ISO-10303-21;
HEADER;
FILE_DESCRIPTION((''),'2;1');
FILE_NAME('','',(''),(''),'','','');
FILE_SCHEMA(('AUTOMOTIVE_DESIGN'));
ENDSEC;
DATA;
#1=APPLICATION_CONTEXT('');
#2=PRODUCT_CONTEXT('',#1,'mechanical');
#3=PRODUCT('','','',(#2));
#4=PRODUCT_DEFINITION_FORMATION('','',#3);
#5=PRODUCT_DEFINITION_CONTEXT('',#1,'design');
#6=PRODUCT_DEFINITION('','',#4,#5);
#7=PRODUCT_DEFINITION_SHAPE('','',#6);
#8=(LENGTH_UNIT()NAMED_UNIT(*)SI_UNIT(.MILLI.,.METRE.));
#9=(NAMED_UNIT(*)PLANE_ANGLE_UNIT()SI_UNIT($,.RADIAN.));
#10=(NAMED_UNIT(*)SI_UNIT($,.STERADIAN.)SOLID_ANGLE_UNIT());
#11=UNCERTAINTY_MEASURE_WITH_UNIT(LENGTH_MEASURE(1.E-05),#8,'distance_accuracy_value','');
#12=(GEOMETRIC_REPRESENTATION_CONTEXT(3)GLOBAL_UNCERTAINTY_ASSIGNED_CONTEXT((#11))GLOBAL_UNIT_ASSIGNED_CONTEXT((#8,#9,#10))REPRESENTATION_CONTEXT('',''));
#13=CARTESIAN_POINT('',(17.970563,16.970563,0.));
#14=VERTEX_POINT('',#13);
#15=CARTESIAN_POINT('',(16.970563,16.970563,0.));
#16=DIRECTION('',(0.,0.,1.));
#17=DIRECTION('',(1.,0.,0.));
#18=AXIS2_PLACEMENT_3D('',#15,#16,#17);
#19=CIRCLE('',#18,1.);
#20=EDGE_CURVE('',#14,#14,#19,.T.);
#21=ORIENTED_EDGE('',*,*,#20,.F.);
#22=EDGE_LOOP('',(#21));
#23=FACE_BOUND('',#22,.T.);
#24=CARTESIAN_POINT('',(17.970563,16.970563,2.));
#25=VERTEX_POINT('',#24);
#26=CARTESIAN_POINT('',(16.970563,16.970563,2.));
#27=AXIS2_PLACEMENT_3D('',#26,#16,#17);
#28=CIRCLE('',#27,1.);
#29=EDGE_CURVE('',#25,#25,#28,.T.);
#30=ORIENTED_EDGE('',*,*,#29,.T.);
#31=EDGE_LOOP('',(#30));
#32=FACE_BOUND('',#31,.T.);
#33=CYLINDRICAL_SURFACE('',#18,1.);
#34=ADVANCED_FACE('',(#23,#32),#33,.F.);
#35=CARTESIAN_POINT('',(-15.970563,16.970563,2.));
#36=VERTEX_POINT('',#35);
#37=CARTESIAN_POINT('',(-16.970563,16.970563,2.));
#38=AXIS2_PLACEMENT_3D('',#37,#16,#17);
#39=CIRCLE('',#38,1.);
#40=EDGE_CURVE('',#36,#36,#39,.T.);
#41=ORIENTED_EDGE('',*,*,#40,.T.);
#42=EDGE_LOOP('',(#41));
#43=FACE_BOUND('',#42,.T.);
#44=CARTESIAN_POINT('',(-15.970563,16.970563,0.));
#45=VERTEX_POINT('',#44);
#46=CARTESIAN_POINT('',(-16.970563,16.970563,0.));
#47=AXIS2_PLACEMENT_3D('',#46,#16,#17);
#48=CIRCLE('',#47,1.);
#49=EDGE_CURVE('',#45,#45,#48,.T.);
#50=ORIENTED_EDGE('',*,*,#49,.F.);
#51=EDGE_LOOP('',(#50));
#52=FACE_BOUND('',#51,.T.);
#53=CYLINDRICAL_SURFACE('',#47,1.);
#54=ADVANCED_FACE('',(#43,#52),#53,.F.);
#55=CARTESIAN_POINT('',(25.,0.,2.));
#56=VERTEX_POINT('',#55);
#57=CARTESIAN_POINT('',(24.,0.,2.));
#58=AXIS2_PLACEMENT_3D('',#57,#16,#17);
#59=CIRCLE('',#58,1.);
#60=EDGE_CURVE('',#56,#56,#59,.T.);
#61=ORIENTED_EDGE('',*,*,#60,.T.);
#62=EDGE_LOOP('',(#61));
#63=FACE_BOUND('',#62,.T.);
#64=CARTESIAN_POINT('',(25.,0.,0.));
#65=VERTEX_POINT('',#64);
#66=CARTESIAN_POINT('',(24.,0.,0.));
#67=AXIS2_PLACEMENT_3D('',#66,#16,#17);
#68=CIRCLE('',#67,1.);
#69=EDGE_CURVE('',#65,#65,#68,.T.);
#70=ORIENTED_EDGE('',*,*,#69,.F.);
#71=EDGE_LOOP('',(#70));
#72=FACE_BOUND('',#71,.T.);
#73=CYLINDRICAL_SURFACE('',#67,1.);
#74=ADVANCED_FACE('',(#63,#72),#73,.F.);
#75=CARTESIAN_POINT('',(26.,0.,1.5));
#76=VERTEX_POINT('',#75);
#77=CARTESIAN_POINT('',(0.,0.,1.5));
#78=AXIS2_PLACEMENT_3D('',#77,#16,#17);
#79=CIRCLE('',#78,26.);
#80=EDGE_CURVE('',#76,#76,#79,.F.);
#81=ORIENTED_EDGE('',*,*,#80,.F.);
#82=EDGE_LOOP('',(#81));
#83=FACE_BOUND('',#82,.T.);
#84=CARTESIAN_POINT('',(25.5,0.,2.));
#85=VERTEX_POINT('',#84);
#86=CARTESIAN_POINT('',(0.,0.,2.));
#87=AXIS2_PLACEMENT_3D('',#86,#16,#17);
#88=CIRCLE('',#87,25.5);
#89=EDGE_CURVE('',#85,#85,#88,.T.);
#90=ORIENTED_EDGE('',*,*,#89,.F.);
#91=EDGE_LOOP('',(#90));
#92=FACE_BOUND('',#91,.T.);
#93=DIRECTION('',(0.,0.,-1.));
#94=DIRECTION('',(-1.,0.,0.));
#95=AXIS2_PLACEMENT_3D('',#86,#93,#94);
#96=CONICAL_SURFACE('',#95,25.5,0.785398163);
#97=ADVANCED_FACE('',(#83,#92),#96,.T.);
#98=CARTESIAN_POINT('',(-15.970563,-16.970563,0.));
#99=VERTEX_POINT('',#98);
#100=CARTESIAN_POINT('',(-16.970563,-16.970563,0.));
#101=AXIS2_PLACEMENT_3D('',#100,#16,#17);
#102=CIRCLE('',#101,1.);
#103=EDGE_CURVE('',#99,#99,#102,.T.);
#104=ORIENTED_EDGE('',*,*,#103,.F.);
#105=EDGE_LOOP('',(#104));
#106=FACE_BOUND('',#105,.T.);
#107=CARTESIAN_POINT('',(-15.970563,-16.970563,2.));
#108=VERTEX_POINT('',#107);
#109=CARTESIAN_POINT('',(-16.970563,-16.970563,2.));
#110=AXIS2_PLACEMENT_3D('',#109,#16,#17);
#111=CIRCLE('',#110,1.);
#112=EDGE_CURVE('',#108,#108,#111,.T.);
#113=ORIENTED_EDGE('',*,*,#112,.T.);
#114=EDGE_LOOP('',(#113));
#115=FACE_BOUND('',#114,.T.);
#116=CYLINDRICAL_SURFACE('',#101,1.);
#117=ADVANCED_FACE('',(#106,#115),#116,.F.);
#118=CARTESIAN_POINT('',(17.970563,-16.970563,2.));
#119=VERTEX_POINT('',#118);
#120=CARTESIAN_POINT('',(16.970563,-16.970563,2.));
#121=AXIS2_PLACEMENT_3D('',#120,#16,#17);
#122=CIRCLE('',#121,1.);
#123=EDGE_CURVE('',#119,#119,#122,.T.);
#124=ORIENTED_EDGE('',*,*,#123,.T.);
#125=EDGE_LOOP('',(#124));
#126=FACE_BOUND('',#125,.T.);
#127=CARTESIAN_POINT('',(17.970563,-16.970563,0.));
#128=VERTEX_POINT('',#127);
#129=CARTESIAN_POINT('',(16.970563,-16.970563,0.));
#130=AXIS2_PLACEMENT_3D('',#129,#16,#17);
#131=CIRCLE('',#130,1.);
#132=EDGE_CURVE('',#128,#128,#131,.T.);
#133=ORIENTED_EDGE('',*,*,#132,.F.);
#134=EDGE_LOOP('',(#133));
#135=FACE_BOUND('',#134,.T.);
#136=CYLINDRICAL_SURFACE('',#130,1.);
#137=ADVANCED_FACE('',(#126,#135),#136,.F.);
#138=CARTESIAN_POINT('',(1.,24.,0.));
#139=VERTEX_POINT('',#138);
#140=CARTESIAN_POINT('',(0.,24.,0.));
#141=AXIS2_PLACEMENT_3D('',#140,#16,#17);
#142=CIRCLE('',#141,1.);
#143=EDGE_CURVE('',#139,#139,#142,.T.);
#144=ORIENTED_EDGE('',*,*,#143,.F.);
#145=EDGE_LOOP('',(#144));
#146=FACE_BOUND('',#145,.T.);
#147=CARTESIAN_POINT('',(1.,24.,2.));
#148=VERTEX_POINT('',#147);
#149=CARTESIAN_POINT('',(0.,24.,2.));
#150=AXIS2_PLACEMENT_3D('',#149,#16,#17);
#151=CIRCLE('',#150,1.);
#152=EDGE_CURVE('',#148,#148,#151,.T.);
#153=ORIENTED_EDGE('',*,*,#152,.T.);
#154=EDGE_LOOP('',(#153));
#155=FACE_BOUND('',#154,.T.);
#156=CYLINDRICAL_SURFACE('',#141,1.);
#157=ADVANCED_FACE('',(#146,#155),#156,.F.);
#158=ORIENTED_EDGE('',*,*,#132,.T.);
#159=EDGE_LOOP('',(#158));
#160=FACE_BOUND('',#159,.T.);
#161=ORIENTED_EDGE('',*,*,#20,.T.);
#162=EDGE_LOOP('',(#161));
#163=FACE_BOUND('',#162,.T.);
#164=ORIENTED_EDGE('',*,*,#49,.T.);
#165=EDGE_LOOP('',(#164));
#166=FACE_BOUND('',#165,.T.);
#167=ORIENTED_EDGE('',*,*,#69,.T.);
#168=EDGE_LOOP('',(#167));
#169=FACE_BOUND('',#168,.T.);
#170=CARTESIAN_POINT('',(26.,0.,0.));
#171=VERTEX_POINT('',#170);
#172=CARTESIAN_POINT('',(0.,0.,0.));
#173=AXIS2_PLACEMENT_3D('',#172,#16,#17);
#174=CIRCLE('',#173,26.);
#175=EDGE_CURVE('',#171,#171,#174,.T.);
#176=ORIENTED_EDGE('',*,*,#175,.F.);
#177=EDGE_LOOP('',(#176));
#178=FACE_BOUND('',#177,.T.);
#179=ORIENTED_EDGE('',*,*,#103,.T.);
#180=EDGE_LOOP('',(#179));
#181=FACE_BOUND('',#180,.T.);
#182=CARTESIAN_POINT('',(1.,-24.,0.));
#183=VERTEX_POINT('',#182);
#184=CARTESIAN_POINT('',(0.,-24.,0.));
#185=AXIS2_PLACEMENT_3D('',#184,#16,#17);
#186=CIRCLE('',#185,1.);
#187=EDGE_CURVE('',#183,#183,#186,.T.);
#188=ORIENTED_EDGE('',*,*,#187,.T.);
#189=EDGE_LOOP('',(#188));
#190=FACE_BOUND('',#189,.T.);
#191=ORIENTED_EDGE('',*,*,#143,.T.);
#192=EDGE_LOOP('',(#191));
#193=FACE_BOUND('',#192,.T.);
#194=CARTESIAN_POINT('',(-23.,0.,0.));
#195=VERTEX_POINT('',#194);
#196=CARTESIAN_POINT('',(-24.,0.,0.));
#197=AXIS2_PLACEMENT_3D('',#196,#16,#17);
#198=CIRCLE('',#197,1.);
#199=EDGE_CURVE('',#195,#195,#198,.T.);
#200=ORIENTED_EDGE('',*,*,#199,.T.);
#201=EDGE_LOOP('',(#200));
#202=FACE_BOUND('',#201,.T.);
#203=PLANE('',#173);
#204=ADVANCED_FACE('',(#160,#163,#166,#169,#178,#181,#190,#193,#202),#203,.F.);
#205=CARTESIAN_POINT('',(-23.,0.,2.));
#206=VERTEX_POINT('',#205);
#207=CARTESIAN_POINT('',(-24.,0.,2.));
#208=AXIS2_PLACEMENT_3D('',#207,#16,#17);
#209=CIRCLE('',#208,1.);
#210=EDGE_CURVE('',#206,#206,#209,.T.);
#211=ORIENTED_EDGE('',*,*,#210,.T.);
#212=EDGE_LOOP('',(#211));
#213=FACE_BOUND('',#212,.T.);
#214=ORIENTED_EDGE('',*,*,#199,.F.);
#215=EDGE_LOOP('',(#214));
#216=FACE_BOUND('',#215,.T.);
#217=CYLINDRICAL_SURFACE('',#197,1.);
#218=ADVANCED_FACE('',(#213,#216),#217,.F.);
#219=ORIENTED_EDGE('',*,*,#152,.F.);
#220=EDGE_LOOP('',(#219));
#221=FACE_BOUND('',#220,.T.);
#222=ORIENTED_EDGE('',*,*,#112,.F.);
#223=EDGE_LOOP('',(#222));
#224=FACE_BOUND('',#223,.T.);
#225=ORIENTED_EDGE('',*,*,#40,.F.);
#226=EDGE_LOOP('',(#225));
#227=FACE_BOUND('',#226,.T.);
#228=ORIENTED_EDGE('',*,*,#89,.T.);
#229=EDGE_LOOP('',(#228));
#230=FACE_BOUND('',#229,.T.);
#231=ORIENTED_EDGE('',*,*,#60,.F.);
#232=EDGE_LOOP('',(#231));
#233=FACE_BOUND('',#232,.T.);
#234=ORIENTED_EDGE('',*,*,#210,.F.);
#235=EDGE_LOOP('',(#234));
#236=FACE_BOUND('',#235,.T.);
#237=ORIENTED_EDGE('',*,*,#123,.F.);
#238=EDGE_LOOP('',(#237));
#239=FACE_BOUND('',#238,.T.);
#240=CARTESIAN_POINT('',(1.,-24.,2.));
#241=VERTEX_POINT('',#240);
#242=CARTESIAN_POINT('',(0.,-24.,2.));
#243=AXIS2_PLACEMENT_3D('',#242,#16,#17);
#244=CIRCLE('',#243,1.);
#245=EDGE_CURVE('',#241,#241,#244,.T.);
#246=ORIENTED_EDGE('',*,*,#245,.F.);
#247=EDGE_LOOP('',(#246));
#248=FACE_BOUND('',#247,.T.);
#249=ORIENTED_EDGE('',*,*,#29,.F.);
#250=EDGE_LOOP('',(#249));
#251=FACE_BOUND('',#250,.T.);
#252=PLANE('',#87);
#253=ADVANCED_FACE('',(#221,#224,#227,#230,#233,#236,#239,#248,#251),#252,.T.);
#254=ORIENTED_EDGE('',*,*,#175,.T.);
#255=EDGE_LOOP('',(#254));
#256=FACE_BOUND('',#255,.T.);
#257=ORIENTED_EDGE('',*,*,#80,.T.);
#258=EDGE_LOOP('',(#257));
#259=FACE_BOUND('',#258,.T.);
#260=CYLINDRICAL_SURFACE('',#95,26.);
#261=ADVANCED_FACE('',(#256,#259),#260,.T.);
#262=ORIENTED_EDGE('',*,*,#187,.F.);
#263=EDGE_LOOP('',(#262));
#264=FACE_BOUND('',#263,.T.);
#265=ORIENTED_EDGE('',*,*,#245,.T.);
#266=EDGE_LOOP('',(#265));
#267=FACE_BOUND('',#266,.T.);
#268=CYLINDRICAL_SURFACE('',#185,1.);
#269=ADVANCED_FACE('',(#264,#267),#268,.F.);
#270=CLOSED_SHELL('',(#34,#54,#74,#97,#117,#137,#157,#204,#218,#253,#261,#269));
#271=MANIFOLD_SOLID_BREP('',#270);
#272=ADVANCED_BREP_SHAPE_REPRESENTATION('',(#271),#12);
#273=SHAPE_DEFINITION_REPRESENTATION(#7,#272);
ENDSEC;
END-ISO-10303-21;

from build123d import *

# Parameters (mm, degrees)
SKETCH_1_R          = 26
EXTRUDE_1_DEPTH     = 2
SKETCH_2_R          = 1
CUT_EXTRUDE_1_DEPTH = 2
CHAMFER_2_SIZE      = 0.5


with BuildPart() as part:
    # Эскиз1 → Бобышка-Вытянуть1 (new body)
    with BuildSketch(Plane.XY):
        Circle(SKETCH_1_R)
    extrude(amount=EXTRUDE_1_DEPTH)

    # Эскиз2 → Вырез-Вытянуть1 (cut)
    with BuildSketch(Plane.XY.offset(2)):
        with Locations((0, 24)):
            Circle(SKETCH_2_R)
        with Locations((16.970562748, 16.970562748)):
            Circle(SKETCH_2_R)
        with Locations((24, 0)):
            Circle(SKETCH_2_R)
        with Locations((16.970562748, -16.970562748)):
            Circle(SKETCH_2_R)
        with Locations((0, -24)):
            Circle(SKETCH_2_R)
        with Locations((-16.970562748, -16.970562748)):
            Circle(SKETCH_2_R)
        with Locations((-24, 0)):
            Circle(SKETCH_2_R)
        with Locations((-16.970562748, 16.970562748)):
            Circle(SKETCH_2_R)
    extrude(amount=-CUT_EXTRUDE_1_DEPTH, mode=Mode.SUBTRACT)

    # Фаска2
    chamfer_2_edges = [part.edges().sort_by_distance(p)[0] for p in [
        (-26, 0, 2),
    ]]
    chamfer(chamfer_2_edges, length=CHAMFER_2_SIZE)


solid = part.part
